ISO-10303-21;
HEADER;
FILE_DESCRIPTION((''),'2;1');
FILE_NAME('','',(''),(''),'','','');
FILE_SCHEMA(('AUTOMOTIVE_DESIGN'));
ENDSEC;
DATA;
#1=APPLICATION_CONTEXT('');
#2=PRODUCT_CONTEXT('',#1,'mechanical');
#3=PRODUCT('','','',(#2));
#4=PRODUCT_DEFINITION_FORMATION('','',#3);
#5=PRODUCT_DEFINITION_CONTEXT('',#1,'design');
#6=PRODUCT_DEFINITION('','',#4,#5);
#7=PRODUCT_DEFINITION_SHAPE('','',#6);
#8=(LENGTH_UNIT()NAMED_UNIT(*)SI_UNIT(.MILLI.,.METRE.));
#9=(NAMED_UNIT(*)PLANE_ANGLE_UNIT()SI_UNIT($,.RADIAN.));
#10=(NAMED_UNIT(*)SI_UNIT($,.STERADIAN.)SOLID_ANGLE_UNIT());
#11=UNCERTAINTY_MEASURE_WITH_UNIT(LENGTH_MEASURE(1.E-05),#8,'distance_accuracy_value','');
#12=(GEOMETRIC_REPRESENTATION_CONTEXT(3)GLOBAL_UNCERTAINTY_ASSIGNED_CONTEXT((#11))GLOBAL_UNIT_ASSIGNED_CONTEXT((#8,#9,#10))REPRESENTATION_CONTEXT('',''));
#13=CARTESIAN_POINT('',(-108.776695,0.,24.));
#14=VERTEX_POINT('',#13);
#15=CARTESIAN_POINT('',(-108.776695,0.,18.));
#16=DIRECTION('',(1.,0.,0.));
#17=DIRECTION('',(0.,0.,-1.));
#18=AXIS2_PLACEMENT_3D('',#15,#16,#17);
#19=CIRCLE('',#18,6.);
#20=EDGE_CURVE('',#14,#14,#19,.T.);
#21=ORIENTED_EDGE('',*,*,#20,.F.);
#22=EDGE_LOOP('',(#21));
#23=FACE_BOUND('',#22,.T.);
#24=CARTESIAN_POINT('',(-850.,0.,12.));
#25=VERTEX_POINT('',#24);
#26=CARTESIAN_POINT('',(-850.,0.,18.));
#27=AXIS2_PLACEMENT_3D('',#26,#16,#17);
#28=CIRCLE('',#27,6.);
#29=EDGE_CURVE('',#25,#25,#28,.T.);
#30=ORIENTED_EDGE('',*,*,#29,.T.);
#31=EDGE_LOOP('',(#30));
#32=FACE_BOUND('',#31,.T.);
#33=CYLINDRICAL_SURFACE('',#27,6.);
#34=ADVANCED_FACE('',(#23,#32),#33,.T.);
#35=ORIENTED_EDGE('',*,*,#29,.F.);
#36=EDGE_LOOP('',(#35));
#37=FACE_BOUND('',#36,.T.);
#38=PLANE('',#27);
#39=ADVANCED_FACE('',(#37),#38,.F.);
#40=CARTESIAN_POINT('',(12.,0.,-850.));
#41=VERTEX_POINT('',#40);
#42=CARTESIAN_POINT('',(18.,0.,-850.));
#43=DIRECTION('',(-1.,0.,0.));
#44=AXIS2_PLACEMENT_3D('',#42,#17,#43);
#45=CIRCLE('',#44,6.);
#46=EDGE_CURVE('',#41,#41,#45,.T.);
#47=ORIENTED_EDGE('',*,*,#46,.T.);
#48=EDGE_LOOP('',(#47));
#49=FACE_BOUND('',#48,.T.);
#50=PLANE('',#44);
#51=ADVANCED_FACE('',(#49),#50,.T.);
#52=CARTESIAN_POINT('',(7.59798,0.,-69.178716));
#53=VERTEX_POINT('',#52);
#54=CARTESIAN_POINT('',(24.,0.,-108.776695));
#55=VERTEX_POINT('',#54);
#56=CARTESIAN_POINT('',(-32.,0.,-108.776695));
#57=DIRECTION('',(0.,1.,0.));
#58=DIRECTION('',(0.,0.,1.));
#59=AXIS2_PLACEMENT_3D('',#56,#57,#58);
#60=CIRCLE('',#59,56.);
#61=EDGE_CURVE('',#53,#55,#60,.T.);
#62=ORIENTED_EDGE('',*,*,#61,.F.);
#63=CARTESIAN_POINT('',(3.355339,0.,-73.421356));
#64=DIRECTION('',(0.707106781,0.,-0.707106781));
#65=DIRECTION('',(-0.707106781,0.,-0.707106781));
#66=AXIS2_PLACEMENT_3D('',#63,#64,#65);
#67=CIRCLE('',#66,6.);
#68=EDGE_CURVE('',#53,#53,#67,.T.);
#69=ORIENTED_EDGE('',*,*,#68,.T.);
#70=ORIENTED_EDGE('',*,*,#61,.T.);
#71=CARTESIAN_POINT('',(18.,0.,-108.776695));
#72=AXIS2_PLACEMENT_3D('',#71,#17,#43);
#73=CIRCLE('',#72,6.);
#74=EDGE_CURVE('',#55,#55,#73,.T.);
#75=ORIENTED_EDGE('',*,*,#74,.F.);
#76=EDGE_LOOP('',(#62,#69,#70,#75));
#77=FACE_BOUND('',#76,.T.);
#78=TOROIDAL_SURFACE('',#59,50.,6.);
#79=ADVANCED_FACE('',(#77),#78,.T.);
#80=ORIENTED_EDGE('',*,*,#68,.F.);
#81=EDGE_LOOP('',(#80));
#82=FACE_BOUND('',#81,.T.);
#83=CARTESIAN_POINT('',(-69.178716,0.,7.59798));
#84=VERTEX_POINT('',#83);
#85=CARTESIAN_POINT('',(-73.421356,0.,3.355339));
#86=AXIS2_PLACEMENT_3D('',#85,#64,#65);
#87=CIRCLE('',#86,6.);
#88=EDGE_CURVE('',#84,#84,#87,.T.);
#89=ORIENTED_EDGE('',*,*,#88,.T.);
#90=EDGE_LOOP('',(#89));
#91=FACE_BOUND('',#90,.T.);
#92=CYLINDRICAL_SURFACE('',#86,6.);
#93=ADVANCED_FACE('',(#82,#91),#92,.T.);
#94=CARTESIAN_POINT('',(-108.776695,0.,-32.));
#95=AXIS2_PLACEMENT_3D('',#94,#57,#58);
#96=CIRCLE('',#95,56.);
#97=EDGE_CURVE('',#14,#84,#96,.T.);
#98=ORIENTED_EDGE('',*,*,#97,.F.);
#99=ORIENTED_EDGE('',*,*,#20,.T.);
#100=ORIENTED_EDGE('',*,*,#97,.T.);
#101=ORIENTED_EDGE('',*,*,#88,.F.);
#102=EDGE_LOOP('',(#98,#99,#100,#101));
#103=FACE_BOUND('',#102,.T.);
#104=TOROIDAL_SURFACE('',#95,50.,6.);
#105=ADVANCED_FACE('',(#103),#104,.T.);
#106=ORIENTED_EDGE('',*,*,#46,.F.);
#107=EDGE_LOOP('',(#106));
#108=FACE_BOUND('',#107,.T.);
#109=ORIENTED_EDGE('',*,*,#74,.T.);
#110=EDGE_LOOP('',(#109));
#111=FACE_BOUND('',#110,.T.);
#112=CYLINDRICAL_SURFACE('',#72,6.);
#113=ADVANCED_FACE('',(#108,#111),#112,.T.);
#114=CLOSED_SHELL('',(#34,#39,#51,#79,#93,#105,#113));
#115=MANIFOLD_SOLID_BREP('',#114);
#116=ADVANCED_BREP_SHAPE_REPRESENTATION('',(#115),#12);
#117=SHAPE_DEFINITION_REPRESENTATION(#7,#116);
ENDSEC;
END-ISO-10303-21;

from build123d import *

# Parameters (mm, degrees)
SKETCH_2_R = 6


with BuildPart() as part:
    # По траектории1: sweep along a path in Эскиз1
    with BuildLine(Plane(origin=(0, 0, 0), x_dir=(1, 0, 0), z_dir=(0, 1, 0))) as sweep_1_path:
        Line((-850, -18), (-108.776695297, -18))
        ThreePointArc((-108.776695297, -18), (-89.642523678, -14.193976626), (-73.421356237, -3.355339059))
        Line((-73.421356237, -3.355339059), (3.355339059, 73.421356237))
        ThreePointArc((3.355339059, 73.421356237), (14.193976626, 89.642523678), (18, 108.776695297))
        Line((18, 108.776695297), (18, 850))
    # Эскиз2 → По траектории1 (sweep)
    with BuildSketch(Plane(origin=(-850, 0, 18), x_dir=(0, 0, -1), z_dir=(1, 0, 0))):
        Circle(SKETCH_2_R)
    sweep(path=sweep_1_path.line)


solid = part.part
